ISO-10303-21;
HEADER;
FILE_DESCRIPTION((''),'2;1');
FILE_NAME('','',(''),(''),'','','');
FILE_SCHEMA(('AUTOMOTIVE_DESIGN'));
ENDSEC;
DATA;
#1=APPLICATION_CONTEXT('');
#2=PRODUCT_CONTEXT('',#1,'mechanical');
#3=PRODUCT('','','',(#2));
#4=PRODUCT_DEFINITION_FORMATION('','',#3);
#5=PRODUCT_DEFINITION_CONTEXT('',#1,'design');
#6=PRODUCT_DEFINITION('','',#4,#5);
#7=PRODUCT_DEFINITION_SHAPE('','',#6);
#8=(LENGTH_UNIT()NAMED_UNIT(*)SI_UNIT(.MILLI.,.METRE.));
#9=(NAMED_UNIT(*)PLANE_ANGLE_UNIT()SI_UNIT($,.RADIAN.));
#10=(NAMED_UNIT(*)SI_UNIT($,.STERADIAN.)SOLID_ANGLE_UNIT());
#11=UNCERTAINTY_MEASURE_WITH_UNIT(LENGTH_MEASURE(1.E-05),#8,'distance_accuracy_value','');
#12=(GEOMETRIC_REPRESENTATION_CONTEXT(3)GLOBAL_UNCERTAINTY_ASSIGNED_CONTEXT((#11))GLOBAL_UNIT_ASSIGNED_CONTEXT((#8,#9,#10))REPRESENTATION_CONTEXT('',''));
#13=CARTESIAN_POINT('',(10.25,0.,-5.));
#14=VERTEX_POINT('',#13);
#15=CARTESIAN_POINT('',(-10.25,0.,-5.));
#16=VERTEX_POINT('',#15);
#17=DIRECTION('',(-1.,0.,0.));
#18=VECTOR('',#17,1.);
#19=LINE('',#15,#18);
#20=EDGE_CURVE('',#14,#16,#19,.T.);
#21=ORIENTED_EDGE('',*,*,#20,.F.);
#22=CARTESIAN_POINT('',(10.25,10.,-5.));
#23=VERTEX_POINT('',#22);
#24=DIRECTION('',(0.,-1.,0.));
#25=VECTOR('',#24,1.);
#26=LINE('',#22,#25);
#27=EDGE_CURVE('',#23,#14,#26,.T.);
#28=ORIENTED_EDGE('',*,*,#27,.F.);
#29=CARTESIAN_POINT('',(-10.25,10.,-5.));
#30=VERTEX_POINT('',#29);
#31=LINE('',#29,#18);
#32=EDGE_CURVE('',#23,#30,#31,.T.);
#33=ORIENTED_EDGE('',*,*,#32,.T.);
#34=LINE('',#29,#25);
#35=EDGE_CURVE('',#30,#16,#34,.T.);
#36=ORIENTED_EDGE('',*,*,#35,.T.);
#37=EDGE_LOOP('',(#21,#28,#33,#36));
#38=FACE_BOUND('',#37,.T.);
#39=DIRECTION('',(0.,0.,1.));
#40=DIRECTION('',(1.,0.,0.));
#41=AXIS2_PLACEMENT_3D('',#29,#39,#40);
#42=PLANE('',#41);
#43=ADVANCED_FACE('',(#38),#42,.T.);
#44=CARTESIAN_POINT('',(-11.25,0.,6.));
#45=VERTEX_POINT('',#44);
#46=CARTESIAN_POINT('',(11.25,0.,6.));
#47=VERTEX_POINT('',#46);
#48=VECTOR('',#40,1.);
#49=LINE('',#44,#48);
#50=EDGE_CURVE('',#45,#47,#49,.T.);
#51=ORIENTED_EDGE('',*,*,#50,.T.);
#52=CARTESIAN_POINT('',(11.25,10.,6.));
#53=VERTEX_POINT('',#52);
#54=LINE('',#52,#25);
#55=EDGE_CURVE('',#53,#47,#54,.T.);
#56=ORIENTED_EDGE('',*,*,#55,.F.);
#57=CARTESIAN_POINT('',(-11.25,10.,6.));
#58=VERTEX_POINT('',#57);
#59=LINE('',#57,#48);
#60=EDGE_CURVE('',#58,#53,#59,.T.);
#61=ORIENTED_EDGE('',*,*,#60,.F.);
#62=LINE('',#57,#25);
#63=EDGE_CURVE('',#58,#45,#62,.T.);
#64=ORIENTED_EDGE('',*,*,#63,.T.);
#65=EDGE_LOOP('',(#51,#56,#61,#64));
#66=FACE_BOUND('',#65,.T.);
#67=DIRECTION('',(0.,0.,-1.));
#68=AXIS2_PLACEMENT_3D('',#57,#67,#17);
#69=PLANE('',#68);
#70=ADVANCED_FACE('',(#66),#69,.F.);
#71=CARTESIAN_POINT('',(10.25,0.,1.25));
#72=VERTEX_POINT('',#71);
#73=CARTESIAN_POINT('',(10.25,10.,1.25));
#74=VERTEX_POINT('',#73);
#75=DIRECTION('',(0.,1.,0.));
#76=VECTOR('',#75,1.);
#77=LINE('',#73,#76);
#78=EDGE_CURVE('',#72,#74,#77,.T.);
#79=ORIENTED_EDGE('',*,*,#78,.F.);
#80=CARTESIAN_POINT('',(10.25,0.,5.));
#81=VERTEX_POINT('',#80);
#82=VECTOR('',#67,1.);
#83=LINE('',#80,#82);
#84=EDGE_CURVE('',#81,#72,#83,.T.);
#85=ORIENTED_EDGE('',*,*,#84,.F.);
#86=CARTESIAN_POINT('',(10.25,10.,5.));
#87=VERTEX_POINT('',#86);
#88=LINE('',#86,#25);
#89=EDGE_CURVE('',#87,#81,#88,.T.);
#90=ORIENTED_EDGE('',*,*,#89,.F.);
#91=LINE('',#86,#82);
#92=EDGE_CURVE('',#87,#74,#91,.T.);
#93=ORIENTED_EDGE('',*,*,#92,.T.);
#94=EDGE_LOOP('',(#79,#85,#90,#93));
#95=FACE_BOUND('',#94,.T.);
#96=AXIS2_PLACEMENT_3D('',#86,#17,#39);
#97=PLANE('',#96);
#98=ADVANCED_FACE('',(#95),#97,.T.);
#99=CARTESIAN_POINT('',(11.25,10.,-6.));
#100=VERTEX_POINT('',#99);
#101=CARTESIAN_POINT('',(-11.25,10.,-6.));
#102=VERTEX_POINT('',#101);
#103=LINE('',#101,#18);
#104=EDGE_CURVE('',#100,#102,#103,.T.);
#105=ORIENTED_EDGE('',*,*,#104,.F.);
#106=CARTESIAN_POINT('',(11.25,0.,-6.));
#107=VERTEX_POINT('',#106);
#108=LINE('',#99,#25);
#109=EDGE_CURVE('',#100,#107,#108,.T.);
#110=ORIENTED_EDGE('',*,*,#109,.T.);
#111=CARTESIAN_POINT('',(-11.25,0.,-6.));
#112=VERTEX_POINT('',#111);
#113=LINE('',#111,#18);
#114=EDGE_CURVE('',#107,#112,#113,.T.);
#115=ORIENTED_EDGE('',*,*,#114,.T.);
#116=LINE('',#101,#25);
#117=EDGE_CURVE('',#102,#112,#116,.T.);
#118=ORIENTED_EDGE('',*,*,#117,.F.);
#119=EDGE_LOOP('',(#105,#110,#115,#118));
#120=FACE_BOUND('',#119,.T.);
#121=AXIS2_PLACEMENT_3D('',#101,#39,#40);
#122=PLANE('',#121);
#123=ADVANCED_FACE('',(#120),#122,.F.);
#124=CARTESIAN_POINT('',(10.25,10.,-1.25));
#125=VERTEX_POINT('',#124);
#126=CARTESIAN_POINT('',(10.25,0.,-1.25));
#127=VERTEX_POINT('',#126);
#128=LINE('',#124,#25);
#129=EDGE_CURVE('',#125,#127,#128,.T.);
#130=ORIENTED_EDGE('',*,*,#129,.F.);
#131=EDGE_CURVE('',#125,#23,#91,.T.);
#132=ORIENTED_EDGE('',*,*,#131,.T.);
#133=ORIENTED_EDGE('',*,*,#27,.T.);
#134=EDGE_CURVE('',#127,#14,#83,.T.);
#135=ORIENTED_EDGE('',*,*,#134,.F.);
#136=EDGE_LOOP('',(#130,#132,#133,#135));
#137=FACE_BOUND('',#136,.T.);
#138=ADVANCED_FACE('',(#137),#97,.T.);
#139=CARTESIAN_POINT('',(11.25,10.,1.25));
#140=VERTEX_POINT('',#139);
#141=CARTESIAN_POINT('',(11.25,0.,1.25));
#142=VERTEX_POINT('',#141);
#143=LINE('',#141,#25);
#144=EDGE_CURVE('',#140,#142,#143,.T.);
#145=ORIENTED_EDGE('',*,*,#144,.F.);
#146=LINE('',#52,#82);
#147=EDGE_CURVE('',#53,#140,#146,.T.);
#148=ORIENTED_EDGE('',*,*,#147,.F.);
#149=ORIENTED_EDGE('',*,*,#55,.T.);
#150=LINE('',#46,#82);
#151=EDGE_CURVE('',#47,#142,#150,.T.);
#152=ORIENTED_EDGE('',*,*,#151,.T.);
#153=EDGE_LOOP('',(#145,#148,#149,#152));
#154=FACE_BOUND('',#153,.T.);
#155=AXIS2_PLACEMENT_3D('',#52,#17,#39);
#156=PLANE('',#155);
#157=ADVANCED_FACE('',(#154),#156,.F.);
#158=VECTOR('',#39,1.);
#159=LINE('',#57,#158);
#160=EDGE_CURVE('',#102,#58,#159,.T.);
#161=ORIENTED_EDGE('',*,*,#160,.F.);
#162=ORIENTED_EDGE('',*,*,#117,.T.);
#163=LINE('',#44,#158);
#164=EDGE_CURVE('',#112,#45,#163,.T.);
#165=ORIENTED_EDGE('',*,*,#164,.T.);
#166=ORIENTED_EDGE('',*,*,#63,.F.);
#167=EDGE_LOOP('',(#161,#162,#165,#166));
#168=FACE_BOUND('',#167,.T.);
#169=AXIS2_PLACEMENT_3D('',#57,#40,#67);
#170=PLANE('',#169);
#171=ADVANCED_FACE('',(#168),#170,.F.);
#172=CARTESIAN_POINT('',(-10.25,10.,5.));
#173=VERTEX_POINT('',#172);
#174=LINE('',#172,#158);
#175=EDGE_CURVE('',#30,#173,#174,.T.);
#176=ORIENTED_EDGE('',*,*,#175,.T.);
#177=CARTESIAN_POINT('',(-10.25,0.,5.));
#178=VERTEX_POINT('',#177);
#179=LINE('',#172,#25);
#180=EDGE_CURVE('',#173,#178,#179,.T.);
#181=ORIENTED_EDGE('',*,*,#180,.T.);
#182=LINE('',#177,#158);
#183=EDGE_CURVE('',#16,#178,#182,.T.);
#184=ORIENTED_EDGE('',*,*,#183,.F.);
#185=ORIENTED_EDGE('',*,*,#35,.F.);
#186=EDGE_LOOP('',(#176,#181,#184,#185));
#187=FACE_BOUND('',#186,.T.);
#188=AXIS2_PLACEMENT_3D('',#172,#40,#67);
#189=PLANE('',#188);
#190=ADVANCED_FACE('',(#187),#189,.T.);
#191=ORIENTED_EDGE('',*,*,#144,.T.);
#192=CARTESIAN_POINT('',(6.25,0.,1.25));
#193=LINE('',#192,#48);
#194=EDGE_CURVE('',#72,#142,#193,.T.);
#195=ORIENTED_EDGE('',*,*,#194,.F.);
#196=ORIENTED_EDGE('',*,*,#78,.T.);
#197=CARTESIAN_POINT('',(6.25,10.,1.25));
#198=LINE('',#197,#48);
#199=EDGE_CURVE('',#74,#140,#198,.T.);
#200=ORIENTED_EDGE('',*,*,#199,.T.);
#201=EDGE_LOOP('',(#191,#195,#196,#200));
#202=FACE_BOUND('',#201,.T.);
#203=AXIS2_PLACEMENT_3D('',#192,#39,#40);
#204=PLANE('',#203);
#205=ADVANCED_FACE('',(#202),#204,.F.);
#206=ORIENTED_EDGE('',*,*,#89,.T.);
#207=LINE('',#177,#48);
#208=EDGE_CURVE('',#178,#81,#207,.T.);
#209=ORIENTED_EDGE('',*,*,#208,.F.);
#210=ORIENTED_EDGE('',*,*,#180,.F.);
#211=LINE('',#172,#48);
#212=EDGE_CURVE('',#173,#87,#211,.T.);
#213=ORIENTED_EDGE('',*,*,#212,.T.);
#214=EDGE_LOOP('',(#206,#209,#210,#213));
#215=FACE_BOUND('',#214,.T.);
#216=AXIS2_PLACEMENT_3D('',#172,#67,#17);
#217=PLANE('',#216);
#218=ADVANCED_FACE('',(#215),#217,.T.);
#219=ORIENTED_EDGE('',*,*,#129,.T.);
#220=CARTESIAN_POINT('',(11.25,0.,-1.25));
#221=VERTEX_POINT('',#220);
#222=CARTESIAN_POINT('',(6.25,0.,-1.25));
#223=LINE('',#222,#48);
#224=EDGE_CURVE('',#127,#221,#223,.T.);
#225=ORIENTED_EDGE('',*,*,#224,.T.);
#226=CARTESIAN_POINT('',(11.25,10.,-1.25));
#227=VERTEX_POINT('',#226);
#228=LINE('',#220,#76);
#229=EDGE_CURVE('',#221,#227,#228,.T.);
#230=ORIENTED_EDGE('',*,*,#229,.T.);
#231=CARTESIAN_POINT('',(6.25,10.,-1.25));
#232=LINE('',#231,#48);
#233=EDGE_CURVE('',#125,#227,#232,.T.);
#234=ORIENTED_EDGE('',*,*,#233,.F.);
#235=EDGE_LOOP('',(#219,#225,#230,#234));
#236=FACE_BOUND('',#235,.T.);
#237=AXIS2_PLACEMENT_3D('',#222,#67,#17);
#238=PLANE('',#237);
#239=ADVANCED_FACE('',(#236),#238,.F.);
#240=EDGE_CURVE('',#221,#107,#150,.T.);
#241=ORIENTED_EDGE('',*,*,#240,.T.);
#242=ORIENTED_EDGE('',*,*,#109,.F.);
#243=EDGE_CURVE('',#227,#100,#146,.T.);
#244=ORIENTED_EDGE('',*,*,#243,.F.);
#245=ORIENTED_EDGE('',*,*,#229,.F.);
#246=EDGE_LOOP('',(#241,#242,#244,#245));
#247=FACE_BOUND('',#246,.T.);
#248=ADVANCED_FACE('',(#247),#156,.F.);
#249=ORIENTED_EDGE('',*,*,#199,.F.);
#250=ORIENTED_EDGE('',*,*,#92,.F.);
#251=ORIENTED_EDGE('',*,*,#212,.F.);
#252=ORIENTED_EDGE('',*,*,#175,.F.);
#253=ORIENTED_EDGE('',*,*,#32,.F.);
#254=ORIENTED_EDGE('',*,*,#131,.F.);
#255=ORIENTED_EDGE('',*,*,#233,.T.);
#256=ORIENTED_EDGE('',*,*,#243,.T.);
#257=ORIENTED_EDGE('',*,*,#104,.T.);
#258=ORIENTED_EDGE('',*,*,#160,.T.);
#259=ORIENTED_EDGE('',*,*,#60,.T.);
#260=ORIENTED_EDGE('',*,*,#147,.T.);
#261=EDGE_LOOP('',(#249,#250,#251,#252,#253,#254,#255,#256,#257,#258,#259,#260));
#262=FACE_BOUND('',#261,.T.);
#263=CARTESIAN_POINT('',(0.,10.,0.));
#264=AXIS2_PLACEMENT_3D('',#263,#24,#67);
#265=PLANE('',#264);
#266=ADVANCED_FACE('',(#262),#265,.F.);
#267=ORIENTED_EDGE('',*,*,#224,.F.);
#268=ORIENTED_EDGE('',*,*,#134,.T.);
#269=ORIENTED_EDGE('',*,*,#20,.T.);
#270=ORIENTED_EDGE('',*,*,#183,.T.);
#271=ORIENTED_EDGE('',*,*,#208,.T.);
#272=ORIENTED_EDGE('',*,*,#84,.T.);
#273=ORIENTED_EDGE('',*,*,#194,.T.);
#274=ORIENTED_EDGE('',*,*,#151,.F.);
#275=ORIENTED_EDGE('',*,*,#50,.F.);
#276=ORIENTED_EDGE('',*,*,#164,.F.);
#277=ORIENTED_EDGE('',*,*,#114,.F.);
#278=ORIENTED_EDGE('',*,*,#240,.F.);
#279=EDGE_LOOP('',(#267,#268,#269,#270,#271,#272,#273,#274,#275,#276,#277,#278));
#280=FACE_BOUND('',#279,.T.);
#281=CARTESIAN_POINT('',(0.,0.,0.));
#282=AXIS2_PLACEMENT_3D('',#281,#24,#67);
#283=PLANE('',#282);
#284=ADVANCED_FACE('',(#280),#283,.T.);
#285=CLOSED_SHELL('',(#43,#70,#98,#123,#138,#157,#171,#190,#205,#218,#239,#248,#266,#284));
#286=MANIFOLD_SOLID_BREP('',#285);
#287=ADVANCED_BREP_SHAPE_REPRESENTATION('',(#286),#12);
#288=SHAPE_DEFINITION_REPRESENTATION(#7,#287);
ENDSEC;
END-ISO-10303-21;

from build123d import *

# Parameters (mm, degrees)
SKETCH_1_W          = 22.5
SKETCH_1_H          = 12
SKETCH_1_W_2        = 20.5
SKETCH_1_H_2        = 10
EXTRUDE_1_DEPTH     = 10
SKETCH_2_W          = 2.5
SKETCH_2_H          = 10
CUT_EXTRUDE_1_DEPTH = 5


with BuildPart() as part:
    # 草图1 → 凸台-拉伸1 (new body)
    with BuildSketch(Plane(origin=(0, 0, 0), x_dir=(1, 0, 0), z_dir=(0, 1, 0))):
        Rectangle(SKETCH_1_W, SKETCH_1_H)
        Rectangle(SKETCH_1_W_2, SKETCH_1_H_2, mode=Mode.SUBTRACT)
    extrude(amount=EXTRUDE_1_DEPTH)

    # 草图2 → 切除-拉伸1 (cut)
    with BuildSketch(Plane(origin=(11.25, 0, 0), x_dir=(0, 0, -1), z_dir=(1, 0, 0))):
        with Locations((0, 5)):
            Rectangle(SKETCH_2_W, SKETCH_2_H)
    extrude(amount=-CUT_EXTRUDE_1_DEPTH, mode=Mode.SUBTRACT)


solid = part.part
